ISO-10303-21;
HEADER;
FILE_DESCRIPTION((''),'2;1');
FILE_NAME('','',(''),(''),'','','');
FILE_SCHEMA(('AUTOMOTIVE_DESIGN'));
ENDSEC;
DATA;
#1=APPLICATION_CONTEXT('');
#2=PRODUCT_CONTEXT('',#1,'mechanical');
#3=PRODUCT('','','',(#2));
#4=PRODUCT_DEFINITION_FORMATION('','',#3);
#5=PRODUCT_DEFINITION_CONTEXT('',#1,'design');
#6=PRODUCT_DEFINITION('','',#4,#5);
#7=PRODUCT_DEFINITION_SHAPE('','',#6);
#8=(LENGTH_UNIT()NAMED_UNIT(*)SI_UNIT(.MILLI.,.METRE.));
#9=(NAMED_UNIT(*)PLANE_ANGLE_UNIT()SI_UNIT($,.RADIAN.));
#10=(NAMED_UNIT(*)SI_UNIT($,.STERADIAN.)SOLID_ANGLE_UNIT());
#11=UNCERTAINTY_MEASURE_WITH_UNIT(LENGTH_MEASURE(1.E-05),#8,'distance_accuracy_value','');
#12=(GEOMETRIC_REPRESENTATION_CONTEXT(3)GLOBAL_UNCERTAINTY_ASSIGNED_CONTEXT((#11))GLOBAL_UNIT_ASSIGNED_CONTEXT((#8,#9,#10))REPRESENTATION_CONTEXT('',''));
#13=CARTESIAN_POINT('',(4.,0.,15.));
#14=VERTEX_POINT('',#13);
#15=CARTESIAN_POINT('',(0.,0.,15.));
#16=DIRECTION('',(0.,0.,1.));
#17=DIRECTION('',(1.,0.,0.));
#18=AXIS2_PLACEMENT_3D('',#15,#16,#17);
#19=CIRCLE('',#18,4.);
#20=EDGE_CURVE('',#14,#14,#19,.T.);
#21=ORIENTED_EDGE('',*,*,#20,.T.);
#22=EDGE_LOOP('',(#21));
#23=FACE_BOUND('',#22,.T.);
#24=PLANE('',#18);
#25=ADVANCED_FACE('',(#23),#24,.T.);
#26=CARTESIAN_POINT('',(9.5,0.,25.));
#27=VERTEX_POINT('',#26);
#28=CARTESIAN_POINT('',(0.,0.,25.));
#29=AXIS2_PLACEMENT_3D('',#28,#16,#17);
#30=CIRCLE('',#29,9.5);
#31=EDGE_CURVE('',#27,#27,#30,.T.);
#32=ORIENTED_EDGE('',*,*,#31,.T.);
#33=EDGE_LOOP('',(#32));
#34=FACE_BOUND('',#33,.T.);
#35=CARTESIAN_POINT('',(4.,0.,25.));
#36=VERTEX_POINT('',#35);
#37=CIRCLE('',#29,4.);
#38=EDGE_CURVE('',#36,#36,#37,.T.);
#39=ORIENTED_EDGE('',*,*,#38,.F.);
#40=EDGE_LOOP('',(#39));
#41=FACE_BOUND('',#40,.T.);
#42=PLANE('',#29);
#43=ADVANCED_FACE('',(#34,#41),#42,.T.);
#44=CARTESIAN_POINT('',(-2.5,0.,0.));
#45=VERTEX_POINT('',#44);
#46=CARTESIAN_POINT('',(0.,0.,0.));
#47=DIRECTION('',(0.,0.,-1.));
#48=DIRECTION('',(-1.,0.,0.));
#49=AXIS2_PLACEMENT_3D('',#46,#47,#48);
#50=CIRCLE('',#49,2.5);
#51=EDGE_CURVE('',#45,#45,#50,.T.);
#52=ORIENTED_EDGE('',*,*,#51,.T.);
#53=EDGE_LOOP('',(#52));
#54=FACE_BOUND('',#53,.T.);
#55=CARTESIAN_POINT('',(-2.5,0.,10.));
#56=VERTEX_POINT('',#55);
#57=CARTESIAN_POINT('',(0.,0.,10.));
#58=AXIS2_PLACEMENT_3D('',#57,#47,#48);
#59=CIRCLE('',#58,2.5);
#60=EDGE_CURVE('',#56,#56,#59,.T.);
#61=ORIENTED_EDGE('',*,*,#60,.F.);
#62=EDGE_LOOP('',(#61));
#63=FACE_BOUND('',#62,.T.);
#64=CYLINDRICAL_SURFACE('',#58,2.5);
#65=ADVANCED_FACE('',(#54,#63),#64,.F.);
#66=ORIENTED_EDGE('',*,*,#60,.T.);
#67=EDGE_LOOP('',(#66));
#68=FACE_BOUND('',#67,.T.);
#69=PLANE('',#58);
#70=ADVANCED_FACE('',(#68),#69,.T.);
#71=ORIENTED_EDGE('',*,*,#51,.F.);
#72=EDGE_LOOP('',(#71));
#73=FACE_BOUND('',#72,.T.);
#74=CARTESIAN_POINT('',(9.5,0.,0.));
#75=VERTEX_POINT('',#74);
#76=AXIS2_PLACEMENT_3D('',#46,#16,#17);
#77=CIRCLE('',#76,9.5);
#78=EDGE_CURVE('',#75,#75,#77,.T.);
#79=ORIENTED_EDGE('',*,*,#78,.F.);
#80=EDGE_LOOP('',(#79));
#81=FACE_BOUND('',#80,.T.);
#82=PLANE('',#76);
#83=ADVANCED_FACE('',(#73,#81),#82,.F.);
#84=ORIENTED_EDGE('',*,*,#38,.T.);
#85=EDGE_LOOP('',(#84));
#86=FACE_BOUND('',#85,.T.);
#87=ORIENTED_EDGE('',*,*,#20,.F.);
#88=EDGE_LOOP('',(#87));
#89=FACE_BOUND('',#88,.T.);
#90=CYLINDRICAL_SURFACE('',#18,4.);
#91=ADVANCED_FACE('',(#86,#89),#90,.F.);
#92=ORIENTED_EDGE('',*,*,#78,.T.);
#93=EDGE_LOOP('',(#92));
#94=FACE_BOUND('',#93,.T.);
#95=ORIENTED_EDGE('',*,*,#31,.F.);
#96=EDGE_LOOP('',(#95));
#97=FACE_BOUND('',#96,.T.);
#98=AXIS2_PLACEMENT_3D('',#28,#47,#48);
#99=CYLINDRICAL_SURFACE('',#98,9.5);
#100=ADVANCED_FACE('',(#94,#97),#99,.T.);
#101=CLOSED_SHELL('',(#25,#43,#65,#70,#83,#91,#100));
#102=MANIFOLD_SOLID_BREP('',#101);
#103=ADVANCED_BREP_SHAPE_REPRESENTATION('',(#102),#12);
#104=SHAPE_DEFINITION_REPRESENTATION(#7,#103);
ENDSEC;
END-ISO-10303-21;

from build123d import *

# Parameters (mm, degrees)
SKETCH1_R           = 9.5
BOSS_EXTRUDE1_DEPTH = 25
SKETCH2_R           = 4
CUT_EXTRUDE1_DEPTH  = 10
SKETCH3_R           = 2.5
CUT_EXTRUDE2_DEPTH  = 10


with BuildPart() as part:
    # Sketch1 → Boss-Extrude1 (new body)
    with BuildSketch(Plane.XY):
        Circle(SKETCH1_R)
    extrude(amount=BOSS_EXTRUDE1_DEPTH)

    # Sketch2 → Cut-Extrude1 (cut)
    with BuildSketch(Plane.XY.offset(25)):
        Circle(SKETCH2_R)
    extrude(amount=-CUT_EXTRUDE1_DEPTH, mode=Mode.SUBTRACT)

    # Sketch3 → Cut-Extrude2 (cut)
    with BuildSketch(Plane(origin=(0, 0, 0), x_dir=(-1, 0, 0), z_dir=(0, 0, -1))):
        Circle(SKETCH3_R)
    extrude(amount=-CUT_EXTRUDE2_DEPTH, mode=Mode.SUBTRACT)


solid = part.part
